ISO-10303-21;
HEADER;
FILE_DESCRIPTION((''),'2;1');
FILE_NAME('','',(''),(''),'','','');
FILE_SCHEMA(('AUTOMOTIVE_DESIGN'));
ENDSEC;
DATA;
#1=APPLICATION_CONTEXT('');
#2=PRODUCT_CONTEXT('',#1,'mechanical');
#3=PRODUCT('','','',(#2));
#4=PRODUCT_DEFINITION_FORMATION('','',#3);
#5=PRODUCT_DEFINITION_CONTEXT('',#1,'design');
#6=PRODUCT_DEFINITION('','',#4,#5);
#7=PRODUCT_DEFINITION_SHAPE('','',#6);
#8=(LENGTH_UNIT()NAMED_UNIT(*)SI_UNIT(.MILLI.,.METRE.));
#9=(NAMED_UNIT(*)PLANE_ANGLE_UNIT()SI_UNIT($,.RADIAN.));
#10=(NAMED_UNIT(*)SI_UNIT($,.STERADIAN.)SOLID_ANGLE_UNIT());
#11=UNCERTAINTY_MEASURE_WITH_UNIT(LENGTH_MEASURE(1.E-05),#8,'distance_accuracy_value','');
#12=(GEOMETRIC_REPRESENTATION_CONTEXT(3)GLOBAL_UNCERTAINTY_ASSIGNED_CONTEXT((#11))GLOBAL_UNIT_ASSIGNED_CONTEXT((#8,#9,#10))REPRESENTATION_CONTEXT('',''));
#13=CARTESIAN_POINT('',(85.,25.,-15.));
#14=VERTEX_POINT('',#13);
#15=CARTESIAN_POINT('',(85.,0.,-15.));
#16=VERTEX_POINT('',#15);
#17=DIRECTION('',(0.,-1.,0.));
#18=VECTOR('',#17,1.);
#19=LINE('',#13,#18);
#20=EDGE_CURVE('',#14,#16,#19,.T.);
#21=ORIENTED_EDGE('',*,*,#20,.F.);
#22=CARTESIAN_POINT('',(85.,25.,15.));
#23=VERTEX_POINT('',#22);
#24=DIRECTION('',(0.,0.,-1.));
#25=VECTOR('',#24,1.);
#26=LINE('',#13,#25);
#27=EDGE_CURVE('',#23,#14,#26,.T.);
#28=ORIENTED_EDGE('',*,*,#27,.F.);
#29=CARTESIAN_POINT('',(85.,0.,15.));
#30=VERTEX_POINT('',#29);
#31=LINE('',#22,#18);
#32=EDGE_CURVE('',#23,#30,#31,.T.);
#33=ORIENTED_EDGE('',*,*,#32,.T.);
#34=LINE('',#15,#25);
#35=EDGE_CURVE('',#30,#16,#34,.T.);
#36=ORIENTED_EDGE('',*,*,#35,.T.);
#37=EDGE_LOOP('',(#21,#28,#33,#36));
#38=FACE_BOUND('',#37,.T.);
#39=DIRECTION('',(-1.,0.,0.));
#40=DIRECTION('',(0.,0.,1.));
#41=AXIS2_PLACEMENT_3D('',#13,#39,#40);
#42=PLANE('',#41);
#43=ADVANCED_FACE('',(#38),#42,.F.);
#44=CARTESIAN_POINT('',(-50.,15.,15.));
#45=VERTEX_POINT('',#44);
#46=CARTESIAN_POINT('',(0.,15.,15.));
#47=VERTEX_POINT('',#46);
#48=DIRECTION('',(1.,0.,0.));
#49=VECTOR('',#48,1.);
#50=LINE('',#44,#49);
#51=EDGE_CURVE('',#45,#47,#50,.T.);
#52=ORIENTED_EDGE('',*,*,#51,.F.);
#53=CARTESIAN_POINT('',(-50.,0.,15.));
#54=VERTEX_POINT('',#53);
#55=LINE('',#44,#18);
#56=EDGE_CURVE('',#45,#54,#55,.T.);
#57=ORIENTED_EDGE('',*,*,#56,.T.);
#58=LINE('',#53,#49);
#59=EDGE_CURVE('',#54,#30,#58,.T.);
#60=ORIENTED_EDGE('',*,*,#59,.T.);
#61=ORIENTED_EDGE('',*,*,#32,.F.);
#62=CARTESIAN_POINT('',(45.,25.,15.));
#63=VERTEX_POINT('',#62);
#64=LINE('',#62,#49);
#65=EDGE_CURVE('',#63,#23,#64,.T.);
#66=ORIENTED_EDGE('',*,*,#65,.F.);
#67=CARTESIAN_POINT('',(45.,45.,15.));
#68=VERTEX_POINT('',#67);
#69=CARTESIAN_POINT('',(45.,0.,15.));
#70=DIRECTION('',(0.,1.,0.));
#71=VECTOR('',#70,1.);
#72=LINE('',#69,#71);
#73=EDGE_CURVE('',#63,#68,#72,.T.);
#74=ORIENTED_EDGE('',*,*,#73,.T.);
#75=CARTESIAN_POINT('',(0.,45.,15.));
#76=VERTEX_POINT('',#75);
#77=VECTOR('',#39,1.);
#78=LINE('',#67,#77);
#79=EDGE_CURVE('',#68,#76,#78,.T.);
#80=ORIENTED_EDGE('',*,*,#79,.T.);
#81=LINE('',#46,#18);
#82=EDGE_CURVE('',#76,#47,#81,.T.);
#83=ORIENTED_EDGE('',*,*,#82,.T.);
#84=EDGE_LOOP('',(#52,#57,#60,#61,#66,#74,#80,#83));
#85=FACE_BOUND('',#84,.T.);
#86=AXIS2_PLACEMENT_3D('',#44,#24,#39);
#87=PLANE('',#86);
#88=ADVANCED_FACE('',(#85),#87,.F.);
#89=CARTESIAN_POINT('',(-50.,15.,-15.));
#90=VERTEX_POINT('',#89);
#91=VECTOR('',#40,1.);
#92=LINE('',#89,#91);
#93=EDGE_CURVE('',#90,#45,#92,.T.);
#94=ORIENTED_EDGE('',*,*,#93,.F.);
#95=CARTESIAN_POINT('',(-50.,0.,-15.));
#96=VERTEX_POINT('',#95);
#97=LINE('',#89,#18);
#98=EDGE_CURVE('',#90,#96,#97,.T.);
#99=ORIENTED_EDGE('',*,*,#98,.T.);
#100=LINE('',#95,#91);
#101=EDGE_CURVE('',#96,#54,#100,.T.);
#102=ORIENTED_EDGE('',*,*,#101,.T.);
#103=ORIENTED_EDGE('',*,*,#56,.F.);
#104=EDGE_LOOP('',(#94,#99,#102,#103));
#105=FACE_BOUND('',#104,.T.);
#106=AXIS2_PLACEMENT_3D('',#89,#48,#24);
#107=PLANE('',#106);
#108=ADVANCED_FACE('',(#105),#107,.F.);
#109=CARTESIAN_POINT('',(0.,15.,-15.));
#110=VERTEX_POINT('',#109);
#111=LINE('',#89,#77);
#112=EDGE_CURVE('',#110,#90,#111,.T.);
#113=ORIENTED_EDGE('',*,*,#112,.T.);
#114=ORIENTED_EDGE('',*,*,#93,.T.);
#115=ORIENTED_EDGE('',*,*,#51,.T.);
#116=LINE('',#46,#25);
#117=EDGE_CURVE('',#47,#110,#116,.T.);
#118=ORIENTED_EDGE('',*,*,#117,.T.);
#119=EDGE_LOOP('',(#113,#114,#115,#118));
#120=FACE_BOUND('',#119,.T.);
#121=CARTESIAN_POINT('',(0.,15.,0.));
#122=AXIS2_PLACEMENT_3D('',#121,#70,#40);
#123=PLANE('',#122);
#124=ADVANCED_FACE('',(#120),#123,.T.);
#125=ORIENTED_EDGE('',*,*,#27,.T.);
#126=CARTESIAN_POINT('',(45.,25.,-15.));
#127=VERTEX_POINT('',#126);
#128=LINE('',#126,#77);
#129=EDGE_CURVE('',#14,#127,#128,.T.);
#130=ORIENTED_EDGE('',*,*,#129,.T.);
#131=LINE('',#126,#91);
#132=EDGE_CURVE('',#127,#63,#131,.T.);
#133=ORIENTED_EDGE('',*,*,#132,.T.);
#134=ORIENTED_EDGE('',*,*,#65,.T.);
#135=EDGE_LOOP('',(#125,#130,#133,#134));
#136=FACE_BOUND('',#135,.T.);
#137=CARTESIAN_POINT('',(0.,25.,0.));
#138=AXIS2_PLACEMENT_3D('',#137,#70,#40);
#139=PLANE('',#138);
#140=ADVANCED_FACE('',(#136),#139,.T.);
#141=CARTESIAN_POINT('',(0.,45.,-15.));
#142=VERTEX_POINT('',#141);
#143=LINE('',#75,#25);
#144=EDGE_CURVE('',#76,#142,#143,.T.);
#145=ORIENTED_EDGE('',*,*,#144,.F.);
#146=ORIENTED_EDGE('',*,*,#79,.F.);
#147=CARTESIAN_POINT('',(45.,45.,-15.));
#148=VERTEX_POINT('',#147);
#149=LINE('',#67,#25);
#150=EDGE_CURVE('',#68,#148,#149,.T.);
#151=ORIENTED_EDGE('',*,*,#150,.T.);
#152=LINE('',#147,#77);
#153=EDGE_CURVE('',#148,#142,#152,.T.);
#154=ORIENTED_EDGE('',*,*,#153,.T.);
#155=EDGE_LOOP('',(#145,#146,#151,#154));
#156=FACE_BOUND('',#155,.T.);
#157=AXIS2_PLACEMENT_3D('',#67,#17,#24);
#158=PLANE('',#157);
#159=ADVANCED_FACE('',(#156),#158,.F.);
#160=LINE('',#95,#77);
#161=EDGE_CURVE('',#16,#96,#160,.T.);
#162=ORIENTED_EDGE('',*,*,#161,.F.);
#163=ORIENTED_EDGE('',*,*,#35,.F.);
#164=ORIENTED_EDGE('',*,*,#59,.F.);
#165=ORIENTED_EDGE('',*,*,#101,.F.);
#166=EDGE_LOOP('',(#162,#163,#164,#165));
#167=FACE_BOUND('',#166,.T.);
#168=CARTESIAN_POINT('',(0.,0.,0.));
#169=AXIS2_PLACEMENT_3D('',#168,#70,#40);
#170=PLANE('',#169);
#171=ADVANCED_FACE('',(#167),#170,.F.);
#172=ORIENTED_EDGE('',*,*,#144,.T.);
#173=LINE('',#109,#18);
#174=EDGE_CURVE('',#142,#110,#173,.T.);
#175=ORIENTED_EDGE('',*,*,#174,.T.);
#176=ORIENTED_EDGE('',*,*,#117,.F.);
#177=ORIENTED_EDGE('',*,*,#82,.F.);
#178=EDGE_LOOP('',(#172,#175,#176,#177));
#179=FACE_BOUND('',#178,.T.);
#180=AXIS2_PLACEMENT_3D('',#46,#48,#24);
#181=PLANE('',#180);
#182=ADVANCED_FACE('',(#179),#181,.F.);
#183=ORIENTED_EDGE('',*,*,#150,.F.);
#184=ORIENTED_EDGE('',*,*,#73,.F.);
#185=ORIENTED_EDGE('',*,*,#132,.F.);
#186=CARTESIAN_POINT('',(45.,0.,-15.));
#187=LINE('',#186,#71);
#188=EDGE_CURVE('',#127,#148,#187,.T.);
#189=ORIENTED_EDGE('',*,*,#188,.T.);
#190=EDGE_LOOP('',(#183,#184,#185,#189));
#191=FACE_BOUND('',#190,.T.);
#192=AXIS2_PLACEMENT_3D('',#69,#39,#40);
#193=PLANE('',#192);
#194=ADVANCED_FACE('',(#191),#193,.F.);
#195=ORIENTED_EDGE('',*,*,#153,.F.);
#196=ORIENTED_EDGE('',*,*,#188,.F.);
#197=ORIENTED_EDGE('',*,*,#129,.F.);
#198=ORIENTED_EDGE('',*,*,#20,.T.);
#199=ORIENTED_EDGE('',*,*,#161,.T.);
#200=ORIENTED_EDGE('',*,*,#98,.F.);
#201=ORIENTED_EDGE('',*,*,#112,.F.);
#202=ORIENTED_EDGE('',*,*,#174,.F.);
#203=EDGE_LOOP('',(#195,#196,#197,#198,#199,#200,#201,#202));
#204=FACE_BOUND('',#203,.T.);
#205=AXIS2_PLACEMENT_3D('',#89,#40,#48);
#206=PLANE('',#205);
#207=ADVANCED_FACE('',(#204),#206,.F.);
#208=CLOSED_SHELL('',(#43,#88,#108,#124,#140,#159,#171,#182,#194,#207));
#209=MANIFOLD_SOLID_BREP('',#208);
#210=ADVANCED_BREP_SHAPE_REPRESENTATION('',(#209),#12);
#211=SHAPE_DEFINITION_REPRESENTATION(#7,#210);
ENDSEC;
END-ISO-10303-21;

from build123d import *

# Parameters (mm, degrees)
SCHIZZO1_W                   = 50
SCHIZZO1_H                   = 30
ESTRUSIONE_ESTRUSIONE1_DEPTH = 15
SCHIZZO3_W                   = 45
SCHIZZO3_H                   = 15
ESTRUSIONE_ESTRUSIONE2_DEPTH = 15
SCHIZZO4_W                   = 45
SCHIZZO4_H                   = 30
ESTRUSIONE_ESTRUSIONE3_DEPTH = 15
SCHIZZO5_W                   = 40
SCHIZZO5_H                   = 30
ESTRUSIONE_ESTRUSIONE4_DEPTH = 25


with BuildPart() as part:
    # Schizzo1 → Estrusione-Estrusione1 (new body)
    with BuildSketch(Plane(origin=(0, 0, 0), x_dir=(1, 0, 0), z_dir=(0, 1, 0))):
        with Locations((-25, 0)):
            Rectangle(SCHIZZO1_W, SCHIZZO1_H)
    extrude(amount=ESTRUSIONE_ESTRUSIONE1_DEPTH)

    # Schizzo3 → Estrusione-Estrusione2 (add, symmetric)
    with BuildSketch(Plane.XY):
        with Locations((22.5, 7.5)):
            Rectangle(SCHIZZO3_W, SCHIZZO3_H)
    extrude(amount=ESTRUSIONE_ESTRUSIONE2_DEPTH, both=True)

    # Schizzo4 → Estrusione-Estrusione3 (add, symmetric)
    with BuildSketch(Plane.XY):
        with Locations((22.5, 30)):
            Rectangle(SCHIZZO4_W, SCHIZZO4_H)
    extrude(amount=ESTRUSIONE_ESTRUSIONE3_DEPTH, both=True)

    # Schizzo5 → Estrusione-Estrusione4 (add)
    with BuildSketch(Plane(origin=(0, 0, 0), x_dir=(1, 0, 0), z_dir=(0, 1, 0))):
        with Locations((65, 0)):
            Rectangle(SCHIZZO5_W, SCHIZZO5_H)
    extrude(amount=ESTRUSIONE_ESTRUSIONE4_DEPTH)


solid = part.part
